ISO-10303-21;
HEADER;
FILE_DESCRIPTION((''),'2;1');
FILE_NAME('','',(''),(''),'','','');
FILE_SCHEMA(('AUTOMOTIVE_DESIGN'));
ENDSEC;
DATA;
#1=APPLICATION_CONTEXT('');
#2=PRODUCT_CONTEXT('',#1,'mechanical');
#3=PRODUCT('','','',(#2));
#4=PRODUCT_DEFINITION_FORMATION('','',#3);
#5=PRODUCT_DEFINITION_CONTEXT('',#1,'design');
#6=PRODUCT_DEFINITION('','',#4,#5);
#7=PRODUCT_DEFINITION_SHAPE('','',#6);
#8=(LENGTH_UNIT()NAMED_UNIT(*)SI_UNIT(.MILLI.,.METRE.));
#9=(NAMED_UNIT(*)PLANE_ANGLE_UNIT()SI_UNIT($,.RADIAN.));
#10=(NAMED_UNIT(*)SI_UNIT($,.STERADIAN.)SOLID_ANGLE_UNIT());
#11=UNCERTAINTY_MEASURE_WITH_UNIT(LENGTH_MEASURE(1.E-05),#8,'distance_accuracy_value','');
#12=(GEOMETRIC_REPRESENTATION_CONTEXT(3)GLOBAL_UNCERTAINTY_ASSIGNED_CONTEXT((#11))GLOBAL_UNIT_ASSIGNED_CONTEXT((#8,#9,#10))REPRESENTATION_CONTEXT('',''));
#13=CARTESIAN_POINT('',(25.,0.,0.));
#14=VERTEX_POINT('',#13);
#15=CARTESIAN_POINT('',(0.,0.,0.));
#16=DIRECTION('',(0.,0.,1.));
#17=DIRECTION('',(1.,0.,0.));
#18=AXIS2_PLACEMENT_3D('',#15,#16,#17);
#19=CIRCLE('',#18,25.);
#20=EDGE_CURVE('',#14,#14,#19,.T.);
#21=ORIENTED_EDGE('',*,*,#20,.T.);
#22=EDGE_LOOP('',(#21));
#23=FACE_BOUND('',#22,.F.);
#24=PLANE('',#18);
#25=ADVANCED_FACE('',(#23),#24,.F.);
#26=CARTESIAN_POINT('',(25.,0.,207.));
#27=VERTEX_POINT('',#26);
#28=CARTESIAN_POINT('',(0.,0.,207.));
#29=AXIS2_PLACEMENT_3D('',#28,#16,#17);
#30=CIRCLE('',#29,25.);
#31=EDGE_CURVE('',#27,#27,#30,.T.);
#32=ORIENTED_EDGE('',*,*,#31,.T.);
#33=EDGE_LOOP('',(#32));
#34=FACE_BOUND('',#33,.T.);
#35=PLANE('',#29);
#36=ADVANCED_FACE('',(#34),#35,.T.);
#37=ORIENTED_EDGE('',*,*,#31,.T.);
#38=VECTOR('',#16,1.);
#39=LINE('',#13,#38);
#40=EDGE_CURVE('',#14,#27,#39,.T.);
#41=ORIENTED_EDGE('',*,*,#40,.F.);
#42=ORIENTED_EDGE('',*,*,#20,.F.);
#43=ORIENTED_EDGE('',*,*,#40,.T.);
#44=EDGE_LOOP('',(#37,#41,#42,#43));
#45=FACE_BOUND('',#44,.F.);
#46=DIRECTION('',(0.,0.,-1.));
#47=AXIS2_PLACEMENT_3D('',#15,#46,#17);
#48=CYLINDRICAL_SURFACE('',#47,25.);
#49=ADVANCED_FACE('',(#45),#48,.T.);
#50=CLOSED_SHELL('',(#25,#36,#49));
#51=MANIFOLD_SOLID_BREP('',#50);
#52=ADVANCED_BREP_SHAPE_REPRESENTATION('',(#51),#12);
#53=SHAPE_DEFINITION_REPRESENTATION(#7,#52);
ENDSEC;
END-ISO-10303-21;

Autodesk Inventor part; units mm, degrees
ref_plane "YZ Plane" through (0, 0, 0) normal (1, 0, 0) x (0, 1, 0)
ref_plane "XZ Plane" through (0, 0, 0) normal (0, 1, 0) x (-1, 0, 0)
ref_plane "XY Plane" through (0, 0, 0) normal (0, 0, 1) x (1, 0, 0)
sketch "Sketch1" plane through (0, 0, 0) normal (0, 0, 1) x (1, 0, 0)
  circle A0 centre (0, 0) radius 25
  dimension "d0" = 50
extrude "Extrusion1" add sketch "Sketch1" along normal blind 207
properties part number "PIN-2"
